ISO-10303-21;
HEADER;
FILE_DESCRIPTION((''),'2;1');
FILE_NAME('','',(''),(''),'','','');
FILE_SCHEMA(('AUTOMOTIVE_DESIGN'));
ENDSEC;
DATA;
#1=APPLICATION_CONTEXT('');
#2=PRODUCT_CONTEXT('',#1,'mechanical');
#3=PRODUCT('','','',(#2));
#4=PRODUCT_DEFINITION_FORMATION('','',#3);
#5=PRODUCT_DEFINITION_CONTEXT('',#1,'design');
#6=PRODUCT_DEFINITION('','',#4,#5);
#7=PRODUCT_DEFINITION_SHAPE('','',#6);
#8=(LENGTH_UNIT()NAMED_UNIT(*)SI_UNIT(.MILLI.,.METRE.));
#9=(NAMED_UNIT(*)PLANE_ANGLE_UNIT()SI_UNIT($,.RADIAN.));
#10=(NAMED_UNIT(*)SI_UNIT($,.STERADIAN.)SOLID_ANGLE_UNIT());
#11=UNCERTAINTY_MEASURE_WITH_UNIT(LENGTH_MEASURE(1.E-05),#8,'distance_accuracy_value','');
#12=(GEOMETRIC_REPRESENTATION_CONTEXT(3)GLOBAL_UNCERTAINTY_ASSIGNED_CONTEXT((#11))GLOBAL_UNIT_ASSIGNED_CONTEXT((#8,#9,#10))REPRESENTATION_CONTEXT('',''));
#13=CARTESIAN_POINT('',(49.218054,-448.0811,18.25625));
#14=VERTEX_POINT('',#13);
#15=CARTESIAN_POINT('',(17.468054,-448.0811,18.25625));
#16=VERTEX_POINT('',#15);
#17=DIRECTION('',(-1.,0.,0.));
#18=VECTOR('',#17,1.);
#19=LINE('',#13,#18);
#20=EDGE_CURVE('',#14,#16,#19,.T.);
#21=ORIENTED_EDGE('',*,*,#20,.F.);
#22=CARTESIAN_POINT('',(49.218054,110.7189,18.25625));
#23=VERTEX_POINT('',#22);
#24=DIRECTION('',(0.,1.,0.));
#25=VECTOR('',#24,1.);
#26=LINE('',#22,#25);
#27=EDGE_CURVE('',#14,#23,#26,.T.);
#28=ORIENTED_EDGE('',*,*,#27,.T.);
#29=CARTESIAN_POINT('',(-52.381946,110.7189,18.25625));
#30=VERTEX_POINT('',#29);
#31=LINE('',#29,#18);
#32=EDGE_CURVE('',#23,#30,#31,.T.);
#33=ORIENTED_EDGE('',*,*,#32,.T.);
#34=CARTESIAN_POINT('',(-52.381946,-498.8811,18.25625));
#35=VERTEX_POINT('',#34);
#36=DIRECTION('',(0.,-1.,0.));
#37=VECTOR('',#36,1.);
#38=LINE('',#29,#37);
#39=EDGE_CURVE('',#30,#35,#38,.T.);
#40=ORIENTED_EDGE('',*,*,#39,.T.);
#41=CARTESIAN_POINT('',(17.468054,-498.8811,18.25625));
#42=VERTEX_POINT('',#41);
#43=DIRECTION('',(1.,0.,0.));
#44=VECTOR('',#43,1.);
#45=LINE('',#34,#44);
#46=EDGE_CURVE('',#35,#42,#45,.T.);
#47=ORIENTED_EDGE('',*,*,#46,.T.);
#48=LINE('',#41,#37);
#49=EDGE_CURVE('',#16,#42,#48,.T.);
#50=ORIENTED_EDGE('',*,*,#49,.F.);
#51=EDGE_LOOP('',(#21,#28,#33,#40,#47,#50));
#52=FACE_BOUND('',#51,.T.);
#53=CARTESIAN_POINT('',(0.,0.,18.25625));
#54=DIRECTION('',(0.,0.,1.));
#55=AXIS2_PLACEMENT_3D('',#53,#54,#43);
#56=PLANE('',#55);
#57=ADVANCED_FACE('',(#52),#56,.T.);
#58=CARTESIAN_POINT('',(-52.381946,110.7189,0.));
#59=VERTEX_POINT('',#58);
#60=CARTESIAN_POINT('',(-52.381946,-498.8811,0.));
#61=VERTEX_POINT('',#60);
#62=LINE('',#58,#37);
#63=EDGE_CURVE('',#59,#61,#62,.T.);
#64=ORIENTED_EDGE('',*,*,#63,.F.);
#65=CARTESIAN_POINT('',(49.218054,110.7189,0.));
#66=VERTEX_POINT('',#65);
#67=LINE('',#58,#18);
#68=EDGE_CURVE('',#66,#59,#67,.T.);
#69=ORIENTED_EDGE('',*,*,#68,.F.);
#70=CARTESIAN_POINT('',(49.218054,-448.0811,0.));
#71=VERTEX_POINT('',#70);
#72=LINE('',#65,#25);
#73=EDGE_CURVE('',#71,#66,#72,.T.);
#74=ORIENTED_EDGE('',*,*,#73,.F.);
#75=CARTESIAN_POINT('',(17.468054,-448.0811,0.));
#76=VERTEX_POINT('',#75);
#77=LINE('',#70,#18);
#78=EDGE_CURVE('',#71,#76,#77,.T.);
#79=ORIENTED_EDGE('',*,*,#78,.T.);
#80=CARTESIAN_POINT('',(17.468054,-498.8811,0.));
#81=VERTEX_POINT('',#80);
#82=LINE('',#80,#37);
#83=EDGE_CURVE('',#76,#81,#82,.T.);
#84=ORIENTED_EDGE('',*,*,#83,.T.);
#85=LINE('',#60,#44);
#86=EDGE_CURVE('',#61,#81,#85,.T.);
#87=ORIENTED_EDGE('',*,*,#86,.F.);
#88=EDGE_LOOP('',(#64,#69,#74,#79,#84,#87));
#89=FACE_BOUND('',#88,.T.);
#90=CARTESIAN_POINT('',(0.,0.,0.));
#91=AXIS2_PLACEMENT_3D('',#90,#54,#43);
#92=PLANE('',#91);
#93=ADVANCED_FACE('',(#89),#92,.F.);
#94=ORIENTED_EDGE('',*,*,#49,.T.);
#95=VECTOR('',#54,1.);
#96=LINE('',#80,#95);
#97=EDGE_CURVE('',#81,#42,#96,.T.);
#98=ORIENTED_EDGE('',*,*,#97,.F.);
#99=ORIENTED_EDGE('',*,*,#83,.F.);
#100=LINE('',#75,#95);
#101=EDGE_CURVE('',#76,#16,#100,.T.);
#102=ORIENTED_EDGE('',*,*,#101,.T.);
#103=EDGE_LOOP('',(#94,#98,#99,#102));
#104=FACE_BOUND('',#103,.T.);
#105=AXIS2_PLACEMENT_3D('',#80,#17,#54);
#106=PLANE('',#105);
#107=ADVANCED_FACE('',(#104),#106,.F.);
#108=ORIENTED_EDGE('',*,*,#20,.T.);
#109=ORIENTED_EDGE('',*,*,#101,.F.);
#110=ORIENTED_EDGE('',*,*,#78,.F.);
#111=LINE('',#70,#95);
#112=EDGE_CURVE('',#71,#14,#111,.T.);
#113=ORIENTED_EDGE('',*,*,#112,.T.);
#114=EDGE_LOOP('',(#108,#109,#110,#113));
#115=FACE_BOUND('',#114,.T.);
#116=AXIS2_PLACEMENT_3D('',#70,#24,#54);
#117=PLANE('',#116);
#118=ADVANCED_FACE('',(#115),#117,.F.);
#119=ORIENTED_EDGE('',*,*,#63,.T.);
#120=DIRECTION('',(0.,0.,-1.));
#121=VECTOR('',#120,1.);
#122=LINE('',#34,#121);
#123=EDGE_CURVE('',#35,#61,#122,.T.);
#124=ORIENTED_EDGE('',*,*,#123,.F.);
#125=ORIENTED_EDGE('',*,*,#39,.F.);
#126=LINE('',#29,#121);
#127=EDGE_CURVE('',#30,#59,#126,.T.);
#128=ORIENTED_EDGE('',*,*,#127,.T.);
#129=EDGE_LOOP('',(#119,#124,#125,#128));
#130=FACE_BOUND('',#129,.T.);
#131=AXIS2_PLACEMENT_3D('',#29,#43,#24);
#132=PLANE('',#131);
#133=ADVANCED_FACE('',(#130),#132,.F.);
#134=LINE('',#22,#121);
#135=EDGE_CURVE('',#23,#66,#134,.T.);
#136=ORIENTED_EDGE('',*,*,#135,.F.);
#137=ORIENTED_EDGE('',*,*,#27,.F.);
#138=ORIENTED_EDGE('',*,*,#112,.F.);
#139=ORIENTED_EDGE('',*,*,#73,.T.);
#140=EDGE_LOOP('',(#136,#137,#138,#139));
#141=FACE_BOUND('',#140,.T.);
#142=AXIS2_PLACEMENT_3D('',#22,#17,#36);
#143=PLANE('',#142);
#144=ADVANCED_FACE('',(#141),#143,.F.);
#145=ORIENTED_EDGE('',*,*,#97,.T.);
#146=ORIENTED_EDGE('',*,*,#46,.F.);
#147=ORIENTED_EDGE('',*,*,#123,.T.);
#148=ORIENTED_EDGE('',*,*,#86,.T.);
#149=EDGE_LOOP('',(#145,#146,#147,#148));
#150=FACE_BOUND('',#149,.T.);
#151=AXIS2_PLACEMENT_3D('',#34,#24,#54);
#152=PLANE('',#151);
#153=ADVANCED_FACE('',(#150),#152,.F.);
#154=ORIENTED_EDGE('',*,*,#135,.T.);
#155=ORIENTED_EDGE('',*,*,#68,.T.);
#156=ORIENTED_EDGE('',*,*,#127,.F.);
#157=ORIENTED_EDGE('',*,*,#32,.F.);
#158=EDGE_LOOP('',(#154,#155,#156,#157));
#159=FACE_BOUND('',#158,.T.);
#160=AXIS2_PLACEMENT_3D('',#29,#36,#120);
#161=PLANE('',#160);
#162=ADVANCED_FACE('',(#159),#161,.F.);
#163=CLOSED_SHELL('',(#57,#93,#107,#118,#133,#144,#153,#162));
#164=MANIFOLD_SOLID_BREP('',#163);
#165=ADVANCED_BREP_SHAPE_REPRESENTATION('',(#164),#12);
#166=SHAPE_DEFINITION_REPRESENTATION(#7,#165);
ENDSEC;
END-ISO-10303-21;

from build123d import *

# Parameters (mm, degrees)
SKETCH1_W           = 101.6
SKETCH1_H           = 609.6
BOSS_EXTRUDE1_DEPTH = 18.25625
SKETCH2_W           = 31.75
SKETCH2_H           = 50.8
CUT_EXTRUDE1_DEPTH  = 19.25625


with BuildPart() as part:
    # Sketch1 → Boss-Extrude1 (new body)
    with BuildSketch(Plane.XY):
        with Locations((-1.581946292, -194.081099888)):
            Rectangle(SKETCH1_W, SKETCH1_H)
    extrude(amount=BOSS_EXTRUDE1_DEPTH)

    # Sketch2 → Cut-Extrude1 (cut, through all)
    with BuildSketch(Plane.XY.offset(18.25625)):
        with Locations((33.343053708, -473.481099888)):
            Rectangle(SKETCH2_W, SKETCH2_H)
    extrude(amount=-CUT_EXTRUDE1_DEPTH, mode=Mode.SUBTRACT)


solid = part.part
